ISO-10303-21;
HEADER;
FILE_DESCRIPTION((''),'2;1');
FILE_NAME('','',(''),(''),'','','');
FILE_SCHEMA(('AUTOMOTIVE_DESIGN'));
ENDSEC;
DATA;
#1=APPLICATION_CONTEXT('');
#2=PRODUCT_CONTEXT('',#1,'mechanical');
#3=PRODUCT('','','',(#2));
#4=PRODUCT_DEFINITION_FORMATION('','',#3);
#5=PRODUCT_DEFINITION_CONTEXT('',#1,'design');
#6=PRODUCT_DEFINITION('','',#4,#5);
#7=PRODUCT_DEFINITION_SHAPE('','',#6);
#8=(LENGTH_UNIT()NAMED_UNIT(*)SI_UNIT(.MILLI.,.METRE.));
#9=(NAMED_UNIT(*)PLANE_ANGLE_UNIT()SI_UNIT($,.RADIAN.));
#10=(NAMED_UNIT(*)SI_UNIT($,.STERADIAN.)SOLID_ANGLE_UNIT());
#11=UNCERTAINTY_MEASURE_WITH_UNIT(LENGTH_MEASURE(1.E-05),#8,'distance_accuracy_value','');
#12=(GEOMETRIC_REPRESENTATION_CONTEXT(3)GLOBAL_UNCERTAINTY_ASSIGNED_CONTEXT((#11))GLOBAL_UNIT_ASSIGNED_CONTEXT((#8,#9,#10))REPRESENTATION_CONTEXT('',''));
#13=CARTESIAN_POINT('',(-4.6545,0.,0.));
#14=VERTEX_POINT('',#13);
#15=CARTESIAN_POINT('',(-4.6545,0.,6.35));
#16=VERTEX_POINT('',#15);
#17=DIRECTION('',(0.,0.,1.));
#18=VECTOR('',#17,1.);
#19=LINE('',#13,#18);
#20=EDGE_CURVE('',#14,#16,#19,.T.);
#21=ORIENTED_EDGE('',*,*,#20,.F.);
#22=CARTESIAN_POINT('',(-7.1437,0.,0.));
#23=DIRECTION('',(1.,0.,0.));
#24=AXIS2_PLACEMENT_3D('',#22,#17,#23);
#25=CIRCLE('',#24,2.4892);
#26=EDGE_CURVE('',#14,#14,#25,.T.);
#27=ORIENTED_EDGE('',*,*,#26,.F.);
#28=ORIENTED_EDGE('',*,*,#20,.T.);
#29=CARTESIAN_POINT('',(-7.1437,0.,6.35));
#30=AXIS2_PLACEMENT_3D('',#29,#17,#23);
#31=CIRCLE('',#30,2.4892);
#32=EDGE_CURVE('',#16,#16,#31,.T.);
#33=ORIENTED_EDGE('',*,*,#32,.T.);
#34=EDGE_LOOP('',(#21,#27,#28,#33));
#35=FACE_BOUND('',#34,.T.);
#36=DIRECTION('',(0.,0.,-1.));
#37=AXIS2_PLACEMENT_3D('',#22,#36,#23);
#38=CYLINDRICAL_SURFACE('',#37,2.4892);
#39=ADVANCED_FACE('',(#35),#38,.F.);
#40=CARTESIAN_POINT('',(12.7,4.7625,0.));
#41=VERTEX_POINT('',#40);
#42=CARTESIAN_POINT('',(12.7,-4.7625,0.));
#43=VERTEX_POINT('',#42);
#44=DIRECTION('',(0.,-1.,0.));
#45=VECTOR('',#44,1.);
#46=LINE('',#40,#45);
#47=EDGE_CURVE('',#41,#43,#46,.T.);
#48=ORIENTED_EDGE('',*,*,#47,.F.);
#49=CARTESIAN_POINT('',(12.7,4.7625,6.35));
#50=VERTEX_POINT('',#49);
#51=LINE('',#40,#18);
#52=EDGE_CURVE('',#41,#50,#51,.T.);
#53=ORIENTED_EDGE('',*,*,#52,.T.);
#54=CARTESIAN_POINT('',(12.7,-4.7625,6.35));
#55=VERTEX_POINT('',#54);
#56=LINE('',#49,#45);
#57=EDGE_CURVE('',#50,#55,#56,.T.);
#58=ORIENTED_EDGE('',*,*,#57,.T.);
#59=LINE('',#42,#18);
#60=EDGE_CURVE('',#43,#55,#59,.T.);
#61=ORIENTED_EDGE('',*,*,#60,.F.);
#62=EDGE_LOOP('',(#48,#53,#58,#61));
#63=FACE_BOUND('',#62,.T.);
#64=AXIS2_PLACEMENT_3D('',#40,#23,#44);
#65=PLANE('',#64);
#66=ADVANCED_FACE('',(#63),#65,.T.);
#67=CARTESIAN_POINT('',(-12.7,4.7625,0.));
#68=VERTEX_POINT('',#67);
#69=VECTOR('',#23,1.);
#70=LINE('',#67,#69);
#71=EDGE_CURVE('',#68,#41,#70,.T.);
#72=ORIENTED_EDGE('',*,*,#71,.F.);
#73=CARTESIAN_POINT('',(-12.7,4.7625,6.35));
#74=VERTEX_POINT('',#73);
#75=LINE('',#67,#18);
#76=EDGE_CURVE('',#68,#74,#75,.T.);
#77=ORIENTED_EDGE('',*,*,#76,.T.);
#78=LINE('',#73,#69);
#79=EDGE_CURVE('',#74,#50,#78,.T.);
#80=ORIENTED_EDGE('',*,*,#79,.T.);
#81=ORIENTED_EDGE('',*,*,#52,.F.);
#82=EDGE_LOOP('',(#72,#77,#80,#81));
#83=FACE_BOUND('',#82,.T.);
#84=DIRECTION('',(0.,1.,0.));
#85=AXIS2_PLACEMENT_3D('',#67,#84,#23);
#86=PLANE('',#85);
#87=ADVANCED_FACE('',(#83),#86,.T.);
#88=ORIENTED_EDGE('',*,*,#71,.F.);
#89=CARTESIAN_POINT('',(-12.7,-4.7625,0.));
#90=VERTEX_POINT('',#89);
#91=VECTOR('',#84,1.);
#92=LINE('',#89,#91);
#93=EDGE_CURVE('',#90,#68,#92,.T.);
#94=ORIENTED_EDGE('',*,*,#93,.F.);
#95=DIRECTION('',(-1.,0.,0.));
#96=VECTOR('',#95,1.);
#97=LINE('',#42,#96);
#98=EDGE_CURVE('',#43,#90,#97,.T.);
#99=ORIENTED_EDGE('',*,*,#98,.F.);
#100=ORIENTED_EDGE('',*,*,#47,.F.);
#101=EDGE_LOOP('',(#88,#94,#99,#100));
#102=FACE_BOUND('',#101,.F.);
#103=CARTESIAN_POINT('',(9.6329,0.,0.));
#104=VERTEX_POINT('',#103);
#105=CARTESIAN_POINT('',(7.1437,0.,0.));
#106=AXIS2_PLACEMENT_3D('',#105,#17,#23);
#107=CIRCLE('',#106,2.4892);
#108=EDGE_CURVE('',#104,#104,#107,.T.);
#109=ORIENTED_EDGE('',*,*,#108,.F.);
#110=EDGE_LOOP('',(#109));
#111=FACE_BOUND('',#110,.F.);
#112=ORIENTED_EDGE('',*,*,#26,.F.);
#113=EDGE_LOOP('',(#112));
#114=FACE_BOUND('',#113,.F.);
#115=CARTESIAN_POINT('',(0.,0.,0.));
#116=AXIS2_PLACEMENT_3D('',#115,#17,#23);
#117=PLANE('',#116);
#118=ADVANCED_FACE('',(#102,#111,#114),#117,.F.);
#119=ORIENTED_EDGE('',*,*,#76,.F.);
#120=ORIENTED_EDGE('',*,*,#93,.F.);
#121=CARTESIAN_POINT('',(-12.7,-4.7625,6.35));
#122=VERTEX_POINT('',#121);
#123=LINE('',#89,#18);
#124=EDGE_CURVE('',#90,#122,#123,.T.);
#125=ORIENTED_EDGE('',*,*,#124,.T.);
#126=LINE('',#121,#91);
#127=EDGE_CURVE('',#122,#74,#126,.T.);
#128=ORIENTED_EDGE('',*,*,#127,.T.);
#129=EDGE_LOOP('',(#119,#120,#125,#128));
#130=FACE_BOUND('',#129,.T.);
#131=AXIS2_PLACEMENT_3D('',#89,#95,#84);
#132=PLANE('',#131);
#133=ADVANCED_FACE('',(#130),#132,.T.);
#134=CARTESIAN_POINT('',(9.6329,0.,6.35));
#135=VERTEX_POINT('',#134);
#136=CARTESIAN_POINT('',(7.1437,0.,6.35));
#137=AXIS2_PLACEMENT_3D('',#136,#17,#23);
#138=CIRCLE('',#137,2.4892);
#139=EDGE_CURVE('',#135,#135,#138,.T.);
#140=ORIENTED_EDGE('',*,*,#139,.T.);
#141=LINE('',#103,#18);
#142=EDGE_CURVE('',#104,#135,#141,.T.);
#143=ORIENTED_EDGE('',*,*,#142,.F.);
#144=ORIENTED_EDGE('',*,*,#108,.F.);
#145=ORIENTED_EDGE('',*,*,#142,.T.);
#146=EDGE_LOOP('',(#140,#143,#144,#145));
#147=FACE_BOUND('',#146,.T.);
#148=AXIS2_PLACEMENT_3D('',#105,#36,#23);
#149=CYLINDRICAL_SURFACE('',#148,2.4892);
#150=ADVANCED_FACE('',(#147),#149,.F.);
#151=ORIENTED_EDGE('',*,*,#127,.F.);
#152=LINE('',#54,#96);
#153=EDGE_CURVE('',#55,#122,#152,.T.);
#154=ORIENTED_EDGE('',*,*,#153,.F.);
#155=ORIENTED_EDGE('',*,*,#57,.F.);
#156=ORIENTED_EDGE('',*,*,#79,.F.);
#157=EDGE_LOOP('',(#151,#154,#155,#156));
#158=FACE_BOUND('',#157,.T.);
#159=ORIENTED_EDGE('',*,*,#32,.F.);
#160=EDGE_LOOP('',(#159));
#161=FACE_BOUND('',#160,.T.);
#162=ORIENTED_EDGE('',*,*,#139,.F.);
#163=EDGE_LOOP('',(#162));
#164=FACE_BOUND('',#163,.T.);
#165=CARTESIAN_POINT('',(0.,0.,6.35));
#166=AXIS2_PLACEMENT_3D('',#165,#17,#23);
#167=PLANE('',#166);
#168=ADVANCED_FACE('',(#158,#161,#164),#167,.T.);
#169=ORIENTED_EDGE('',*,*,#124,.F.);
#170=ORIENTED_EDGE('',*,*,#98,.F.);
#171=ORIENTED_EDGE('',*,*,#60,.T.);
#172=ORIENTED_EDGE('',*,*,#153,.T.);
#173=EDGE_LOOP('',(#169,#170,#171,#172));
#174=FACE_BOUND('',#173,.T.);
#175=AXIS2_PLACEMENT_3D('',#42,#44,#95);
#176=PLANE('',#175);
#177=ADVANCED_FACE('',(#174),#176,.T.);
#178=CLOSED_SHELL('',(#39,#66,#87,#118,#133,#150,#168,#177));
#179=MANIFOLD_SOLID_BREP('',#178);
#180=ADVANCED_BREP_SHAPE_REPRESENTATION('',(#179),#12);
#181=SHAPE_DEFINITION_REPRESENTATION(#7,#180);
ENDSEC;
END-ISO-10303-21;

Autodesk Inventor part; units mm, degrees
ref_plane "YZ Plane" through (0, 0, 0) normal (1, 0, 0) x (0, 1, 0)
ref_plane "XZ Plane" through (0, 0, 0) normal (0, 1, 0) x (-1, 0, 0)
ref_plane "XY Plane" through (0, 0, 0) normal (0, 0, 1) x (1, 0, 0)
sketch "Sketch1" plane through (0, 0, 0) normal (0, 0, 1) x (1, 0, 0)
  line L0 (12.7, -4.7625) -> (-12.7, -4.7625)
  line L1 (-12.7, -4.7625) -> (-12.7, 4.7625)
  line L2 (-12.7, 4.7625) -> (12.7, 4.7625)
  line L3 (12.7, 4.7625) -> (12.7, -4.7625)
  line L4 (12.7, -4.7625) -> (-12.7, 4.7625) construction
  line L5 (-12.7, -4.7625) -> (12.7, 4.7625) construction
  line L6 (-12.7, 0) -> (12.7, 0) construction
  circle A0 centre (-7.1437, 0) radius 2.4892
  line L7 (0, -4.7625) -> (0, 4.7625) construction
  circle A1 centre (7.1437, 0) radius 2.4892
  point P0 (0, 0)
  point P1 (0, 0)
  dimension "d0" = 25.4
  dimension "d1" = 9.525
  dimension "d2" = 4.9784
  dimension "d3" = 7.1437
extrude "Extrusion1" add sketch "Sketch1" along normal blind 6.35
properties part number "Arms" material "Aluminum 6061"
